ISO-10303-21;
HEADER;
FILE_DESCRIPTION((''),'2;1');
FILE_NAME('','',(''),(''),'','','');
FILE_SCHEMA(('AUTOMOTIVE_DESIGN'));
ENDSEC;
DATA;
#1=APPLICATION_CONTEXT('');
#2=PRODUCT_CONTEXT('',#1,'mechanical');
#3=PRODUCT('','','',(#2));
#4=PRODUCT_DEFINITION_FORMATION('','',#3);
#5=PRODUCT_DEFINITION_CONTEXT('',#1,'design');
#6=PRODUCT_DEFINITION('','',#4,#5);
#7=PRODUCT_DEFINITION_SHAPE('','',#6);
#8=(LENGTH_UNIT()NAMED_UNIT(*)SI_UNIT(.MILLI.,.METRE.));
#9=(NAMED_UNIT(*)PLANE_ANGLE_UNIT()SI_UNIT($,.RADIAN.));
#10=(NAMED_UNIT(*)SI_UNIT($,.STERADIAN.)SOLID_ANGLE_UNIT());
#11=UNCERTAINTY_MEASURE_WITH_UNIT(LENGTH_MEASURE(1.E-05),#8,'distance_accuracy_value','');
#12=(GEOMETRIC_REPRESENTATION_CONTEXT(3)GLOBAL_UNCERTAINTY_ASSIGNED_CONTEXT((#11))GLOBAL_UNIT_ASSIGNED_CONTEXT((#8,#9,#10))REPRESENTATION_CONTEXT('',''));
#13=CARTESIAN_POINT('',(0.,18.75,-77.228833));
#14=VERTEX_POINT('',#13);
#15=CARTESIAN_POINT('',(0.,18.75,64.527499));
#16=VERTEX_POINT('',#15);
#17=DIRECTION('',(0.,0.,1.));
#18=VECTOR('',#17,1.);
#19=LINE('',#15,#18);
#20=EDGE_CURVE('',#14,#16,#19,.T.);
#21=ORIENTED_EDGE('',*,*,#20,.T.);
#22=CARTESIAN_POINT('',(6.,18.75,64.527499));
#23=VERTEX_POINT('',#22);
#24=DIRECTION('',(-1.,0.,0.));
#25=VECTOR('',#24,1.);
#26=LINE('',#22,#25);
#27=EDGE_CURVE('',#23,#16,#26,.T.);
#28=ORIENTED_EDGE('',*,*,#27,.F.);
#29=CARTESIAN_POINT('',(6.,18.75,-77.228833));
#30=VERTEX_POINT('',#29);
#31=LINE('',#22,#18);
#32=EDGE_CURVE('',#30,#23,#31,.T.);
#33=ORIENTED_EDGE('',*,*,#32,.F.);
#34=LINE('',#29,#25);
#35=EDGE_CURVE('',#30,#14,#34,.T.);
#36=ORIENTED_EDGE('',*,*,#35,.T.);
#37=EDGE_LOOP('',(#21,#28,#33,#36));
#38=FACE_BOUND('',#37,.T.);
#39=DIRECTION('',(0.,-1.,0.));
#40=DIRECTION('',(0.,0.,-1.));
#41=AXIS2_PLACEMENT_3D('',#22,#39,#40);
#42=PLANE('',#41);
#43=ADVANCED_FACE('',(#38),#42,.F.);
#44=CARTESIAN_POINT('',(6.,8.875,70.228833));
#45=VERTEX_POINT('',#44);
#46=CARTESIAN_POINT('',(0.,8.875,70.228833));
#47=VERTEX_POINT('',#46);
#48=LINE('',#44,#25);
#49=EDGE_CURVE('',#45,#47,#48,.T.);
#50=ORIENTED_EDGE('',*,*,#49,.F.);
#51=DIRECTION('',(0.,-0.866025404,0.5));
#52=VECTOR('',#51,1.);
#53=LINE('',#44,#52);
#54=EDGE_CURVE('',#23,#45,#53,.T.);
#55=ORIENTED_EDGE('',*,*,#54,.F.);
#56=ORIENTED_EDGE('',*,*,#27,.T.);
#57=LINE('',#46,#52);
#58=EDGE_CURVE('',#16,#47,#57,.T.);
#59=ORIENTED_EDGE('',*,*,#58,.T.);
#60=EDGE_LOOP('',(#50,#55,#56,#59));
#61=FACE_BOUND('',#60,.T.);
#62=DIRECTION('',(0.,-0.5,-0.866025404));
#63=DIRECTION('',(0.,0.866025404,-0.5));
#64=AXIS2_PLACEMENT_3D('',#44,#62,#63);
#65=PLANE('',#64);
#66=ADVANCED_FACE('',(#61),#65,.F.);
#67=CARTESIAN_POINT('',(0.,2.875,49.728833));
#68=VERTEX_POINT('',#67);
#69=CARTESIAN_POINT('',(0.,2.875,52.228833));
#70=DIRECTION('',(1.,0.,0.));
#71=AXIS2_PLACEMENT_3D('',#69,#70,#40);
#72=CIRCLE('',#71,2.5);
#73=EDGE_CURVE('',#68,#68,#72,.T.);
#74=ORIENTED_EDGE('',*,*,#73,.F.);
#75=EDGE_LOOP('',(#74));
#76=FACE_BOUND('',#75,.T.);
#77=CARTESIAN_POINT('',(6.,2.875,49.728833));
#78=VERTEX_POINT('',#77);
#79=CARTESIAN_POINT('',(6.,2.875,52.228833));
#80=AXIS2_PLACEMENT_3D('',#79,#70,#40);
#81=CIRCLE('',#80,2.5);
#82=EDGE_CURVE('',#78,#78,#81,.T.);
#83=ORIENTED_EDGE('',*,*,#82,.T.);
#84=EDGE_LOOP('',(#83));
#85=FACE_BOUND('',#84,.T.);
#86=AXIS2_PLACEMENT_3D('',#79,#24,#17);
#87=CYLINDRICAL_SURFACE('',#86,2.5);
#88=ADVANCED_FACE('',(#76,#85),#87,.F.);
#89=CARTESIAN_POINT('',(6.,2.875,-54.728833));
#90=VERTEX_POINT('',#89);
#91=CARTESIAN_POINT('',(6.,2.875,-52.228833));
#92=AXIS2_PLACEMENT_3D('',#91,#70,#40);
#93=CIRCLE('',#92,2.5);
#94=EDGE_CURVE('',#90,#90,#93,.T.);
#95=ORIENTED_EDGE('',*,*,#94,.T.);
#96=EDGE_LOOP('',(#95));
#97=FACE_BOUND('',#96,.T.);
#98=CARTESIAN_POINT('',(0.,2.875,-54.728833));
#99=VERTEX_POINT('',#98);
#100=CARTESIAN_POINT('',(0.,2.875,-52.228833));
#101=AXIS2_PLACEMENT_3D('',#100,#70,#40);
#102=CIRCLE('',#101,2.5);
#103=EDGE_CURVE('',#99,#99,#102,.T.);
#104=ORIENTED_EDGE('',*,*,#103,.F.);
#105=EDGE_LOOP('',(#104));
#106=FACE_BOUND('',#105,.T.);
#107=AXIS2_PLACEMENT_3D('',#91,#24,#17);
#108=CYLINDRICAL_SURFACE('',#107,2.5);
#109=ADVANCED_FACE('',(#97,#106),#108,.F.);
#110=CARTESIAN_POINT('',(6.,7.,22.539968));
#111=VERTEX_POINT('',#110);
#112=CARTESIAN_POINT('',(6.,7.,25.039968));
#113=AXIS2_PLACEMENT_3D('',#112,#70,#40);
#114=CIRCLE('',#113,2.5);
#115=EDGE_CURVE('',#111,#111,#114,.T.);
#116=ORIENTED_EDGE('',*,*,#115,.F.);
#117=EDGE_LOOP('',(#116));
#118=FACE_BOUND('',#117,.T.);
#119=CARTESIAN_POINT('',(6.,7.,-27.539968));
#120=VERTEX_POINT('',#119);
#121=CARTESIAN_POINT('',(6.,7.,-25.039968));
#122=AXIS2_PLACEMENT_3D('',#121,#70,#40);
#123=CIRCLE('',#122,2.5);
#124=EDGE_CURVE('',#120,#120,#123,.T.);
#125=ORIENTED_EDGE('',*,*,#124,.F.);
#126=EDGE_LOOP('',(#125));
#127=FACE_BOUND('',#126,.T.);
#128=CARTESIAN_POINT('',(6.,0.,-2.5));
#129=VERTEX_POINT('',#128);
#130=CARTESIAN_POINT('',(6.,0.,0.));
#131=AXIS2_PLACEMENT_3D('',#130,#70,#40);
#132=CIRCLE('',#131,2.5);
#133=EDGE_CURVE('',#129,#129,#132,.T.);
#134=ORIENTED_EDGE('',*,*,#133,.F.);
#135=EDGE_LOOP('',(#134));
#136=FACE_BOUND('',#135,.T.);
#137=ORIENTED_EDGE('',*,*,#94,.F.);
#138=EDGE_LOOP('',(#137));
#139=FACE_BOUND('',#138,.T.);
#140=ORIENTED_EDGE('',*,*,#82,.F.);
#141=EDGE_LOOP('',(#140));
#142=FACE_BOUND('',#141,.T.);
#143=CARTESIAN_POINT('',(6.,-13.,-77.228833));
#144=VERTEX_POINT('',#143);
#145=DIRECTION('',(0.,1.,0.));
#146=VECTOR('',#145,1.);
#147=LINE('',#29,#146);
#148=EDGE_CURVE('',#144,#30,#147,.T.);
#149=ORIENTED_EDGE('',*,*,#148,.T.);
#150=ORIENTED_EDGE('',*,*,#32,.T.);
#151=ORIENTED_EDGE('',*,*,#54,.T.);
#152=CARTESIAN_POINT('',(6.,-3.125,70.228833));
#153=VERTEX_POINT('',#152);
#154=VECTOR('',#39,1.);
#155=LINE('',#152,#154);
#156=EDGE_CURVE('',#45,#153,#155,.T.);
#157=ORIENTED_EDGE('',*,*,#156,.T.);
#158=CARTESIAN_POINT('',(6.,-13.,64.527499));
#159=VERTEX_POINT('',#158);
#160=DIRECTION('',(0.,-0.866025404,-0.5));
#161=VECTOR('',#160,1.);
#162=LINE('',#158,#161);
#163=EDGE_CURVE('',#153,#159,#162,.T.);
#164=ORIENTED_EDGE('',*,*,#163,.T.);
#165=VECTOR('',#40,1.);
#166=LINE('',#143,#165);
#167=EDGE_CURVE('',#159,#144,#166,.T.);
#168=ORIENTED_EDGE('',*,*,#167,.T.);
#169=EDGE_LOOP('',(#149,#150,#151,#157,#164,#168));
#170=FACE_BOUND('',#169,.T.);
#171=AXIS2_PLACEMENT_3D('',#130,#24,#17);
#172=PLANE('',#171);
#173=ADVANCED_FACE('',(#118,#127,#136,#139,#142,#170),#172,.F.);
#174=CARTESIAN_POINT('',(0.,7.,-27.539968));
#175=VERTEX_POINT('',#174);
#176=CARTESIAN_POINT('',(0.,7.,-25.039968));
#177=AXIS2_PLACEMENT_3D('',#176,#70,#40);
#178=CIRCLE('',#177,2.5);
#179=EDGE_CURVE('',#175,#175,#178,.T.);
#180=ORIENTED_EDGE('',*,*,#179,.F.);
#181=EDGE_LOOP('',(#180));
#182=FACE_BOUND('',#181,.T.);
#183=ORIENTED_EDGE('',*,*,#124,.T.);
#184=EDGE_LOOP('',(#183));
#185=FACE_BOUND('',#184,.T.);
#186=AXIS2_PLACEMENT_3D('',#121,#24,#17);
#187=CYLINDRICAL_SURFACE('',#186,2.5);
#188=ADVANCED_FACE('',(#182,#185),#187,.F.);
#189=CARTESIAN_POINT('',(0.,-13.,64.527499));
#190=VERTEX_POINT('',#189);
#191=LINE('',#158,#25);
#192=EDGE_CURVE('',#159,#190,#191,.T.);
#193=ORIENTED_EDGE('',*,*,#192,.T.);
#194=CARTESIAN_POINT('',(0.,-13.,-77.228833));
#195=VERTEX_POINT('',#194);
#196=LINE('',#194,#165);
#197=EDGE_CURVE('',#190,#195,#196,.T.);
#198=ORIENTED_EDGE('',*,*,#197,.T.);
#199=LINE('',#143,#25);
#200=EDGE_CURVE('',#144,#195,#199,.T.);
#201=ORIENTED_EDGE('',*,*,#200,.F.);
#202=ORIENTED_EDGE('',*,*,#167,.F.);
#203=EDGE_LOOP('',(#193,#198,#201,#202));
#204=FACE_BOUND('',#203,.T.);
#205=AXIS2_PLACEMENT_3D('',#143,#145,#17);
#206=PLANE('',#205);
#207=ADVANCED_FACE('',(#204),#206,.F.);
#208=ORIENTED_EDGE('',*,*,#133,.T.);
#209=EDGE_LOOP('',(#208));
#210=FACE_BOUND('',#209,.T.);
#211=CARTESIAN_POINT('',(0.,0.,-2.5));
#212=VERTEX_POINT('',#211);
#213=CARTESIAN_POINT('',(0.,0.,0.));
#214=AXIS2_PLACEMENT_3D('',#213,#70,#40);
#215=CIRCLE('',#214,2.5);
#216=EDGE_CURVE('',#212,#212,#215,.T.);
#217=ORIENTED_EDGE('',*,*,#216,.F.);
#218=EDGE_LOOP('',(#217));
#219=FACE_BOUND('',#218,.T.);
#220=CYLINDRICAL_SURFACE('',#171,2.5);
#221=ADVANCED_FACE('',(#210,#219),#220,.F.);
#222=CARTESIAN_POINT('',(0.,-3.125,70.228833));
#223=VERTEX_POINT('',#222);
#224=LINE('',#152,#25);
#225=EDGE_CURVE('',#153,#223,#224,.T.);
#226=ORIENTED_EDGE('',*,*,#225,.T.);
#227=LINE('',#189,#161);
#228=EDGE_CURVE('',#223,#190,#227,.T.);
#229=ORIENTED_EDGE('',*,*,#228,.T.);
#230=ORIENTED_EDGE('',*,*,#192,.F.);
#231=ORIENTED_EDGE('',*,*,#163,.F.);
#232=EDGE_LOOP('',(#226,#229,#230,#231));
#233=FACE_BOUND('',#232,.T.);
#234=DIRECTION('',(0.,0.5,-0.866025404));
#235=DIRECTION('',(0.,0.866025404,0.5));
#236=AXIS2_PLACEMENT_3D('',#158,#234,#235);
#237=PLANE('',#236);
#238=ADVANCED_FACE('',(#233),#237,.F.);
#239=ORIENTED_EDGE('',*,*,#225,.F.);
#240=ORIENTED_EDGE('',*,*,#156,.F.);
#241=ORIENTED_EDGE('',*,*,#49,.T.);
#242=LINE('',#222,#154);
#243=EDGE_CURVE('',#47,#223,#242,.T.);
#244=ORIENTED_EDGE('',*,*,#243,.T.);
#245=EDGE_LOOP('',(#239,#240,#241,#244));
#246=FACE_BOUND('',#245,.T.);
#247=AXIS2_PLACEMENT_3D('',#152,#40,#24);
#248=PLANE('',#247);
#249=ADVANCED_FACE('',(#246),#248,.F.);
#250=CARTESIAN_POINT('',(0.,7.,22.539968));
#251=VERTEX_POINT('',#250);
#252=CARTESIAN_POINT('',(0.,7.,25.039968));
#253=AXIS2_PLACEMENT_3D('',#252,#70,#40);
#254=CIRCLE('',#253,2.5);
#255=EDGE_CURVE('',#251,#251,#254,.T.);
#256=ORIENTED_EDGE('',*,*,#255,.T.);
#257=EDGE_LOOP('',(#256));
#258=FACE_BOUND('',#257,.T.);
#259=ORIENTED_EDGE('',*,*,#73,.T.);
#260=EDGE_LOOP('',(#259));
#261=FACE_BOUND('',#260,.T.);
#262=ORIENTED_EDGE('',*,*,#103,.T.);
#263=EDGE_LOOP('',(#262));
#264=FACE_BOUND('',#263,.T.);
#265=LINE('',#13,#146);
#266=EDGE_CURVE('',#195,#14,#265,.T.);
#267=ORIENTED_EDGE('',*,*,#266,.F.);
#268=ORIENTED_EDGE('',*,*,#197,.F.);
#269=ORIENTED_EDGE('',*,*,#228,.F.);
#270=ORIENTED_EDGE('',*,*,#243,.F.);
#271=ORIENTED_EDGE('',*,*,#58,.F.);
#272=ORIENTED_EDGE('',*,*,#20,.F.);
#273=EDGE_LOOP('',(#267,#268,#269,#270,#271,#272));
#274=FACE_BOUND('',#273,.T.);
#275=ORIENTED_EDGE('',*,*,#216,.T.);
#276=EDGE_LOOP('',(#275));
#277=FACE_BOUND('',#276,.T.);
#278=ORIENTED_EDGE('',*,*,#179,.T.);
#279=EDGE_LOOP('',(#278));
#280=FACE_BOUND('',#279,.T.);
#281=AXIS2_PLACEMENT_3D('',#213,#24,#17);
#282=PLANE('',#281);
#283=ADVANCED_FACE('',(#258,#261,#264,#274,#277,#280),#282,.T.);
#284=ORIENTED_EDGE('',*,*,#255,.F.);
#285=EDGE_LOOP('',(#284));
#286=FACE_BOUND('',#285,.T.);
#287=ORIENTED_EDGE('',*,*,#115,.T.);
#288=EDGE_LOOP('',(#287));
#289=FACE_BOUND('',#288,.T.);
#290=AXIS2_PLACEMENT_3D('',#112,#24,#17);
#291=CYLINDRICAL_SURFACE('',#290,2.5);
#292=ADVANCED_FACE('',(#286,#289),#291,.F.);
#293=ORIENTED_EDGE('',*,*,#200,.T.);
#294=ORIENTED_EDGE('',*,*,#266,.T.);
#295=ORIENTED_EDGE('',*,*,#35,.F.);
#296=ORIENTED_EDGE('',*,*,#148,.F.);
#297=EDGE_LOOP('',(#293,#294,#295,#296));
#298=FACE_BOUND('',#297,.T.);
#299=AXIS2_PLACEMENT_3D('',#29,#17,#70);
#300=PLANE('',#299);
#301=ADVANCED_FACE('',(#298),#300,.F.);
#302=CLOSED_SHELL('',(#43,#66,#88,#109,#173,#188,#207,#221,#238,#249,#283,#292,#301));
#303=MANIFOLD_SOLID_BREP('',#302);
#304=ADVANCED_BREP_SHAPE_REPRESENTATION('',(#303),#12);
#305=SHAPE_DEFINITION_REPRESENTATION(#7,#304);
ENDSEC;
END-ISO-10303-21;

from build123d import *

# Parameters (mm, degrees)
SKETCH2_R           = 2.5
BOSS_EXTRUDE1_DEPTH = 6


with BuildPart() as part:
    # Sketch2 → Boss-Extrude1 (new body)
    with BuildSketch(Plane(origin=(0, 0, 0), x_dir=(0, 0, -1), z_dir=(1, 0, 0))):
        Polygon((-64.527499051, -13), (-70.228832959, -3.125), (-70.228832959, 8.875), (-64.527499051, 18.75), (77.228832959, 18.75), (77.228832959, -13), align=None)
        Circle(SKETCH2_R, mode=Mode.SUBTRACT)
        with Locations((-25.039968051, 7)):
            Circle(SKETCH2_R, mode=Mode.SUBTRACT)
        with Locations((-52.228832959, 2.875)):
            Circle(SKETCH2_R, mode=Mode.SUBTRACT)
        with Locations((52.228832959, 2.875)):
            Circle(SKETCH2_R, mode=Mode.SUBTRACT)
        with Locations((25.039968051, 7)):
            Circle(SKETCH2_R, mode=Mode.SUBTRACT)
    extrude(amount=BOSS_EXTRUDE1_DEPTH)


solid = part.part
